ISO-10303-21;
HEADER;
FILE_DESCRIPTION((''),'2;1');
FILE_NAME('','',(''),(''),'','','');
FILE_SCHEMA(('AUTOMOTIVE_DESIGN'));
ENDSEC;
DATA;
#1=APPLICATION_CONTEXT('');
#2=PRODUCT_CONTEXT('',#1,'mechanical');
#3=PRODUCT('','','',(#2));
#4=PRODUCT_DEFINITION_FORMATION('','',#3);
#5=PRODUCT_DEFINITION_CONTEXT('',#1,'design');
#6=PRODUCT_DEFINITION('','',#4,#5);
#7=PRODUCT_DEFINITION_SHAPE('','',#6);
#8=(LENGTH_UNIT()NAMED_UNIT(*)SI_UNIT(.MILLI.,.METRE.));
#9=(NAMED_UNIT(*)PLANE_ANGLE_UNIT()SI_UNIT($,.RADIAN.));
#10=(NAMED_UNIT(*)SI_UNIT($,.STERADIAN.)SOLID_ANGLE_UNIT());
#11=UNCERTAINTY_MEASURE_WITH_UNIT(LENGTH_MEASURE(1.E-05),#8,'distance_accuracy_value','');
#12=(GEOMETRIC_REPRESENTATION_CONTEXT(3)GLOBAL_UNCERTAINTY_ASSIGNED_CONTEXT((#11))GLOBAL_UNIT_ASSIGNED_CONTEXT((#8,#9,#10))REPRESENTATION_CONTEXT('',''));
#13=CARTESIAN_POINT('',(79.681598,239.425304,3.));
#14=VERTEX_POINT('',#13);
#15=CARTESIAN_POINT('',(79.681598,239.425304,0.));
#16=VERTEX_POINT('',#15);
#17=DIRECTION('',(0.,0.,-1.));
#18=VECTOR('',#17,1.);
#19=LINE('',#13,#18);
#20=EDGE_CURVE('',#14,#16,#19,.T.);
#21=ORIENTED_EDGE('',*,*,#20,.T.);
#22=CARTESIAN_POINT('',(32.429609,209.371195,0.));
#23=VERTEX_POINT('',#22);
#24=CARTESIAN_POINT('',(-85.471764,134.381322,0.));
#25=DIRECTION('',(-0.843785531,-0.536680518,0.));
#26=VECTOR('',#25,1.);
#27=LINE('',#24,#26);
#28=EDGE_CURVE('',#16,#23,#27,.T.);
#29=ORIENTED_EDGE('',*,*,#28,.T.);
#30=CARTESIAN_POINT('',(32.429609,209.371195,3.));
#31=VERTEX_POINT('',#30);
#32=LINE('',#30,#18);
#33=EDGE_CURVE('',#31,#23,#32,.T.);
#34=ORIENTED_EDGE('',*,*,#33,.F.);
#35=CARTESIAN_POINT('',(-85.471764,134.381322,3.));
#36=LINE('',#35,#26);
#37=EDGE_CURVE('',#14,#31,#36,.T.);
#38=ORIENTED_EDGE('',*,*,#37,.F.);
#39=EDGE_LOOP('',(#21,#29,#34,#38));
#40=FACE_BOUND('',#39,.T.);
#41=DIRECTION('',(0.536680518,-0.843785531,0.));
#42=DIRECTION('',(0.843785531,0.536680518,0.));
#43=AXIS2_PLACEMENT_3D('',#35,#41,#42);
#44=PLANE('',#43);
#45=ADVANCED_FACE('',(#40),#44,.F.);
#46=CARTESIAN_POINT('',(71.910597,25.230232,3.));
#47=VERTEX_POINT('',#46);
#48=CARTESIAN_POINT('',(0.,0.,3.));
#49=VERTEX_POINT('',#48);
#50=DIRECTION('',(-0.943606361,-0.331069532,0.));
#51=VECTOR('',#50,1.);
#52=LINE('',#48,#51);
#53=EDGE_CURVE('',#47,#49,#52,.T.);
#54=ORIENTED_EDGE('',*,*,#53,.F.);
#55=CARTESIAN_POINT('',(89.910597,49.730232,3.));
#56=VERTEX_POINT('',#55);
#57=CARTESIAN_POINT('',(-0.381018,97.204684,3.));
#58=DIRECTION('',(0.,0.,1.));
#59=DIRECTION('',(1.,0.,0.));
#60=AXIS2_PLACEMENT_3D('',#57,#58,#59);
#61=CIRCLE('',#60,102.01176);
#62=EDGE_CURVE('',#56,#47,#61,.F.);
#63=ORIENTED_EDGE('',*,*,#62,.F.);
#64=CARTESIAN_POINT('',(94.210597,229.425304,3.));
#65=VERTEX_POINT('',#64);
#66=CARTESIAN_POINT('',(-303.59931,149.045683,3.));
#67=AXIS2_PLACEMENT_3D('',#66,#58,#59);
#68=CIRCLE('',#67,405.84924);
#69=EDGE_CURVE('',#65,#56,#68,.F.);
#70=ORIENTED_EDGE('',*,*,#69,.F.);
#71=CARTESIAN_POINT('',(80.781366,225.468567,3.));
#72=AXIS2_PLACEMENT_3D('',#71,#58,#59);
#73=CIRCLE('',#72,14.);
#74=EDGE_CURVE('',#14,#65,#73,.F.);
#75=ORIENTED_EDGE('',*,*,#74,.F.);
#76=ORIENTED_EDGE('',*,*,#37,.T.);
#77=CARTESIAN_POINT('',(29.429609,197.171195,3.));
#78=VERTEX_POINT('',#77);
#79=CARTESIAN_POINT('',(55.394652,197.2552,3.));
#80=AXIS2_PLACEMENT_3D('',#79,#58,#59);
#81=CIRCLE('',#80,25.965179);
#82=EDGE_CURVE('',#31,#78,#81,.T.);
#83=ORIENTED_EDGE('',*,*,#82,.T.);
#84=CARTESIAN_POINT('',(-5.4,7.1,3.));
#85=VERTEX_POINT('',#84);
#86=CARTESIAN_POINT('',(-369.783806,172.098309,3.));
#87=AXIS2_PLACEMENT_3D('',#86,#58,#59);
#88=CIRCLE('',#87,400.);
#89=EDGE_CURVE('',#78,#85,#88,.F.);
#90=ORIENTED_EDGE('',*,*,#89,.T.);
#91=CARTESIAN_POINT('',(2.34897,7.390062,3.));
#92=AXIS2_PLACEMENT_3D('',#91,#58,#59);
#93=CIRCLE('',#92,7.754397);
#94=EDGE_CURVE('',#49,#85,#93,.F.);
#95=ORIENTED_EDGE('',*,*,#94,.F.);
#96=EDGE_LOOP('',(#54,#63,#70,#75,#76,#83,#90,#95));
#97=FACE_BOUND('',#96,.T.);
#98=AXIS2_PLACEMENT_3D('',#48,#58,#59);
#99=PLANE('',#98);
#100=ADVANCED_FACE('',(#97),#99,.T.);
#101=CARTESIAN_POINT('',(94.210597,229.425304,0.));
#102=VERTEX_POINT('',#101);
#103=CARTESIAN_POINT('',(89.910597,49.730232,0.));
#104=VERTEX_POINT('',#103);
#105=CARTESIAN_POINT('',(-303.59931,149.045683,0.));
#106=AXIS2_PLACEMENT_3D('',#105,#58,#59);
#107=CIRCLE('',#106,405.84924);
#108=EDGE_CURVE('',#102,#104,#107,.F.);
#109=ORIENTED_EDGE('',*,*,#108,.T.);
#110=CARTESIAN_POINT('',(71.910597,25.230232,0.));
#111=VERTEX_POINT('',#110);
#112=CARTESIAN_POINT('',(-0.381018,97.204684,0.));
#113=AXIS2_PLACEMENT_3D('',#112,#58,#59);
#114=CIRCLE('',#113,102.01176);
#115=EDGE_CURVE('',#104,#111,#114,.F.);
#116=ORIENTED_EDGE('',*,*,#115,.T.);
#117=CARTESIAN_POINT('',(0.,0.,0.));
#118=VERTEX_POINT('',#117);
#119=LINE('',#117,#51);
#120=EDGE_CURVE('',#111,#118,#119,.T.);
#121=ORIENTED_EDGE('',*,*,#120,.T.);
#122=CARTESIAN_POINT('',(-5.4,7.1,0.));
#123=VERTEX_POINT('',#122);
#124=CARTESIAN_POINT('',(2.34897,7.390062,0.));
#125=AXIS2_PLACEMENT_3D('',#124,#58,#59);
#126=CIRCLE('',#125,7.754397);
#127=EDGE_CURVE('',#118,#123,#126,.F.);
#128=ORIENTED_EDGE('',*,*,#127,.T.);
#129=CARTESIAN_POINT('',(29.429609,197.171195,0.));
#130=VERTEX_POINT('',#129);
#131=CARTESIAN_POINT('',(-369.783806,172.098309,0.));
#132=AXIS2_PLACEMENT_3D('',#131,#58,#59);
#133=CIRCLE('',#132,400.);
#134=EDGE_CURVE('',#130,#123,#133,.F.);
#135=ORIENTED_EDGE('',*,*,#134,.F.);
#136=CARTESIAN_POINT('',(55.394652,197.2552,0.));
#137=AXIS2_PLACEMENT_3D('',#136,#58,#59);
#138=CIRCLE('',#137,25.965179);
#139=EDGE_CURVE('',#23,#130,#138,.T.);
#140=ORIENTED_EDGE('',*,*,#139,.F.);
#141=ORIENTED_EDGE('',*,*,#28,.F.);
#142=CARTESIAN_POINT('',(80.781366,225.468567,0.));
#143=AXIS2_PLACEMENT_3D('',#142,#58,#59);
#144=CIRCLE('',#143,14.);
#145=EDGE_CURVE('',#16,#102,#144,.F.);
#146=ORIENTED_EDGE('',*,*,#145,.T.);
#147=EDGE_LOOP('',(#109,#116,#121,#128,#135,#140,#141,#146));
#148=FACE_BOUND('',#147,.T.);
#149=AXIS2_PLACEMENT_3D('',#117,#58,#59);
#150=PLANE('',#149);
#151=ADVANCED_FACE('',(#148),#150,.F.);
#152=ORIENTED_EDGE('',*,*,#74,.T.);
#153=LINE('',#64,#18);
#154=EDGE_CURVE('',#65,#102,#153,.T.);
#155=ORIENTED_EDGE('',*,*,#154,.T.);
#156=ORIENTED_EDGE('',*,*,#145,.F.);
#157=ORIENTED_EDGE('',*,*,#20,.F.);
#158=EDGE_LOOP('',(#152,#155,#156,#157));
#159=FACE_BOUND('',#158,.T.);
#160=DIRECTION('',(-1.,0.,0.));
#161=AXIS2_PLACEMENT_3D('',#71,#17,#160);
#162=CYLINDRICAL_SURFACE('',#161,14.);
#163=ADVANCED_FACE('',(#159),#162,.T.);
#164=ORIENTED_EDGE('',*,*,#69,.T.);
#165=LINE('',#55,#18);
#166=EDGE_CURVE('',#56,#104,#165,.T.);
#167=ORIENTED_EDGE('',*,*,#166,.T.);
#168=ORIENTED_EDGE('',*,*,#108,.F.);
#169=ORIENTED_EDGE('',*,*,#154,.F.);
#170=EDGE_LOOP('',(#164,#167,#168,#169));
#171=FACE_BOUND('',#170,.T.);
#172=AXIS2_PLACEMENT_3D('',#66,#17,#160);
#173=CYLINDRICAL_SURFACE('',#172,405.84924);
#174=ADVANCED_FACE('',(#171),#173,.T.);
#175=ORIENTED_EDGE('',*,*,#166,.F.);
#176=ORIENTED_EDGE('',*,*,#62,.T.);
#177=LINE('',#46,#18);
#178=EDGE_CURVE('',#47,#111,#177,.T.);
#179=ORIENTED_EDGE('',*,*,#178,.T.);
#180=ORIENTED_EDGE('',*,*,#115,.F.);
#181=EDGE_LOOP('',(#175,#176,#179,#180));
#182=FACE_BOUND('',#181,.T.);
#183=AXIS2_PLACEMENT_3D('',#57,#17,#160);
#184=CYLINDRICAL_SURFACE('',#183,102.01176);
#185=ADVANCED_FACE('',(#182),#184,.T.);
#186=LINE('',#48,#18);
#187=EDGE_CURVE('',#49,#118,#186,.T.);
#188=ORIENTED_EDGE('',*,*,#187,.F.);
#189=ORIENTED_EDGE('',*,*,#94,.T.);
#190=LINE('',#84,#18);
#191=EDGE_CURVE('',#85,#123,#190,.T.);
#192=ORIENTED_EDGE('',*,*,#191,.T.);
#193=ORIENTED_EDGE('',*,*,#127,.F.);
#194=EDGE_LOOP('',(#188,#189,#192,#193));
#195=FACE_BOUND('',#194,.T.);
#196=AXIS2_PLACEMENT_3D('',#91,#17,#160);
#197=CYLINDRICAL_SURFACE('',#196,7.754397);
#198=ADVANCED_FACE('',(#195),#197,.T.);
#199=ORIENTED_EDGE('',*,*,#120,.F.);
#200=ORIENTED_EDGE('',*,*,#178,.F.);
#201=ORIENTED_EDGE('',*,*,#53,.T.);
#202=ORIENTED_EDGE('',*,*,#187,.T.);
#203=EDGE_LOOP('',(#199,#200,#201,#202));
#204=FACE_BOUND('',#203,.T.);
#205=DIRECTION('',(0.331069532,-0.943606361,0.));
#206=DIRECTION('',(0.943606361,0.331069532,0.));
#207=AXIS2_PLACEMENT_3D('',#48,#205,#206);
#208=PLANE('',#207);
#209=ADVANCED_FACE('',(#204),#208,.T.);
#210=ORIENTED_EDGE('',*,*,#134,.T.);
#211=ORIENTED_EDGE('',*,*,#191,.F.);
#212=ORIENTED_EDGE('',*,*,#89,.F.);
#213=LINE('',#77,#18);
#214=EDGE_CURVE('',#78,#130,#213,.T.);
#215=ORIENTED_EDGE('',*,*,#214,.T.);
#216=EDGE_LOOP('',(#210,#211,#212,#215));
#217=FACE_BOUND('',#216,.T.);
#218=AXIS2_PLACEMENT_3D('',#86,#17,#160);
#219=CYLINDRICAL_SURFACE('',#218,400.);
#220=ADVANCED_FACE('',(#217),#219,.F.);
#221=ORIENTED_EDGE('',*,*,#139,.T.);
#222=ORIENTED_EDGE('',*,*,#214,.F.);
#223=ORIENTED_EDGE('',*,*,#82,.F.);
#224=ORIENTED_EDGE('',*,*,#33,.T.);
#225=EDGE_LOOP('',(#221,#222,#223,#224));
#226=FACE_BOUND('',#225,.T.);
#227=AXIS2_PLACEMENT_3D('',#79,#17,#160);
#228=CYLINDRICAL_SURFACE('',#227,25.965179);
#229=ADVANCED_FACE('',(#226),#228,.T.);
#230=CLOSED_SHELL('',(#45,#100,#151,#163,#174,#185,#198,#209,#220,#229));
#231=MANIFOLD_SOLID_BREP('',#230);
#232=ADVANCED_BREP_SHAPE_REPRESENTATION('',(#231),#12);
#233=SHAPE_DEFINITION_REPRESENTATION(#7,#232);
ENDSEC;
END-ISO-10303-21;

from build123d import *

# Parameters (mm, degrees)
EXTRUDE_1_DEPTH = 3


with BuildPart() as part:
    # Эскиз1 → Бобышка-Вытянуть1 (new body)
    with BuildSketch(Plane.XY):
        with BuildLine():
            ThreePointArc((71.910596806, 25.230232233), (89.617789367, 131.826316673), (79.68159846, 239.425303641))
            Line((79.68159846, 239.425303641), (32.429608738, 209.371194648))
            ThreePointArc((32.429608738, 209.371194648), (31.080732298, 102.87778502), (-3.3, 2.07782962))
            ThreePointArc((-3.3, 2.07782962), (-1.782749379, 0.828082821), (0, 0))
            Line((0, 0), (71.910596806, 25.230232233))
        make_face()
        with BuildLine():
            ThreePointArc((-3.3, 2.07782962), (31.080732298, 102.87778502), (32.429608738, 209.371194648))
            ThreePointArc((32.429608738, 209.371194648), (30.180601525, 203.45537675), (29.429608738, 197.171194648))
            ThreePointArc((29.429608738, 197.171194648), (23.664975471, 100.000760944), (-5.4, 7.1))
            ThreePointArc((-5.4, 7.1), (-4.805172006, 4.398586498), (-3.3, 2.07782962))
        make_face()
        with BuildLine():
            ThreePointArc((79.68159846, 239.425303641), (88.718866692, 237.000959513), (94.210596806, 229.425303641))
            ThreePointArc((94.210596806, 229.425303641), (102.133781486, 139.336722404), (89.910596806, 49.730232233))
            ThreePointArc((89.910596806, 49.730232233), (81.828404444, 36.80592458), (71.910596806, 25.230232233))
            ThreePointArc((71.910596806, 25.230232233), (89.617789367, 131.826316673), (79.68159846, 239.425303641))
        make_face()
    extrude(amount=EXTRUDE_1_DEPTH)


solid = part.part
